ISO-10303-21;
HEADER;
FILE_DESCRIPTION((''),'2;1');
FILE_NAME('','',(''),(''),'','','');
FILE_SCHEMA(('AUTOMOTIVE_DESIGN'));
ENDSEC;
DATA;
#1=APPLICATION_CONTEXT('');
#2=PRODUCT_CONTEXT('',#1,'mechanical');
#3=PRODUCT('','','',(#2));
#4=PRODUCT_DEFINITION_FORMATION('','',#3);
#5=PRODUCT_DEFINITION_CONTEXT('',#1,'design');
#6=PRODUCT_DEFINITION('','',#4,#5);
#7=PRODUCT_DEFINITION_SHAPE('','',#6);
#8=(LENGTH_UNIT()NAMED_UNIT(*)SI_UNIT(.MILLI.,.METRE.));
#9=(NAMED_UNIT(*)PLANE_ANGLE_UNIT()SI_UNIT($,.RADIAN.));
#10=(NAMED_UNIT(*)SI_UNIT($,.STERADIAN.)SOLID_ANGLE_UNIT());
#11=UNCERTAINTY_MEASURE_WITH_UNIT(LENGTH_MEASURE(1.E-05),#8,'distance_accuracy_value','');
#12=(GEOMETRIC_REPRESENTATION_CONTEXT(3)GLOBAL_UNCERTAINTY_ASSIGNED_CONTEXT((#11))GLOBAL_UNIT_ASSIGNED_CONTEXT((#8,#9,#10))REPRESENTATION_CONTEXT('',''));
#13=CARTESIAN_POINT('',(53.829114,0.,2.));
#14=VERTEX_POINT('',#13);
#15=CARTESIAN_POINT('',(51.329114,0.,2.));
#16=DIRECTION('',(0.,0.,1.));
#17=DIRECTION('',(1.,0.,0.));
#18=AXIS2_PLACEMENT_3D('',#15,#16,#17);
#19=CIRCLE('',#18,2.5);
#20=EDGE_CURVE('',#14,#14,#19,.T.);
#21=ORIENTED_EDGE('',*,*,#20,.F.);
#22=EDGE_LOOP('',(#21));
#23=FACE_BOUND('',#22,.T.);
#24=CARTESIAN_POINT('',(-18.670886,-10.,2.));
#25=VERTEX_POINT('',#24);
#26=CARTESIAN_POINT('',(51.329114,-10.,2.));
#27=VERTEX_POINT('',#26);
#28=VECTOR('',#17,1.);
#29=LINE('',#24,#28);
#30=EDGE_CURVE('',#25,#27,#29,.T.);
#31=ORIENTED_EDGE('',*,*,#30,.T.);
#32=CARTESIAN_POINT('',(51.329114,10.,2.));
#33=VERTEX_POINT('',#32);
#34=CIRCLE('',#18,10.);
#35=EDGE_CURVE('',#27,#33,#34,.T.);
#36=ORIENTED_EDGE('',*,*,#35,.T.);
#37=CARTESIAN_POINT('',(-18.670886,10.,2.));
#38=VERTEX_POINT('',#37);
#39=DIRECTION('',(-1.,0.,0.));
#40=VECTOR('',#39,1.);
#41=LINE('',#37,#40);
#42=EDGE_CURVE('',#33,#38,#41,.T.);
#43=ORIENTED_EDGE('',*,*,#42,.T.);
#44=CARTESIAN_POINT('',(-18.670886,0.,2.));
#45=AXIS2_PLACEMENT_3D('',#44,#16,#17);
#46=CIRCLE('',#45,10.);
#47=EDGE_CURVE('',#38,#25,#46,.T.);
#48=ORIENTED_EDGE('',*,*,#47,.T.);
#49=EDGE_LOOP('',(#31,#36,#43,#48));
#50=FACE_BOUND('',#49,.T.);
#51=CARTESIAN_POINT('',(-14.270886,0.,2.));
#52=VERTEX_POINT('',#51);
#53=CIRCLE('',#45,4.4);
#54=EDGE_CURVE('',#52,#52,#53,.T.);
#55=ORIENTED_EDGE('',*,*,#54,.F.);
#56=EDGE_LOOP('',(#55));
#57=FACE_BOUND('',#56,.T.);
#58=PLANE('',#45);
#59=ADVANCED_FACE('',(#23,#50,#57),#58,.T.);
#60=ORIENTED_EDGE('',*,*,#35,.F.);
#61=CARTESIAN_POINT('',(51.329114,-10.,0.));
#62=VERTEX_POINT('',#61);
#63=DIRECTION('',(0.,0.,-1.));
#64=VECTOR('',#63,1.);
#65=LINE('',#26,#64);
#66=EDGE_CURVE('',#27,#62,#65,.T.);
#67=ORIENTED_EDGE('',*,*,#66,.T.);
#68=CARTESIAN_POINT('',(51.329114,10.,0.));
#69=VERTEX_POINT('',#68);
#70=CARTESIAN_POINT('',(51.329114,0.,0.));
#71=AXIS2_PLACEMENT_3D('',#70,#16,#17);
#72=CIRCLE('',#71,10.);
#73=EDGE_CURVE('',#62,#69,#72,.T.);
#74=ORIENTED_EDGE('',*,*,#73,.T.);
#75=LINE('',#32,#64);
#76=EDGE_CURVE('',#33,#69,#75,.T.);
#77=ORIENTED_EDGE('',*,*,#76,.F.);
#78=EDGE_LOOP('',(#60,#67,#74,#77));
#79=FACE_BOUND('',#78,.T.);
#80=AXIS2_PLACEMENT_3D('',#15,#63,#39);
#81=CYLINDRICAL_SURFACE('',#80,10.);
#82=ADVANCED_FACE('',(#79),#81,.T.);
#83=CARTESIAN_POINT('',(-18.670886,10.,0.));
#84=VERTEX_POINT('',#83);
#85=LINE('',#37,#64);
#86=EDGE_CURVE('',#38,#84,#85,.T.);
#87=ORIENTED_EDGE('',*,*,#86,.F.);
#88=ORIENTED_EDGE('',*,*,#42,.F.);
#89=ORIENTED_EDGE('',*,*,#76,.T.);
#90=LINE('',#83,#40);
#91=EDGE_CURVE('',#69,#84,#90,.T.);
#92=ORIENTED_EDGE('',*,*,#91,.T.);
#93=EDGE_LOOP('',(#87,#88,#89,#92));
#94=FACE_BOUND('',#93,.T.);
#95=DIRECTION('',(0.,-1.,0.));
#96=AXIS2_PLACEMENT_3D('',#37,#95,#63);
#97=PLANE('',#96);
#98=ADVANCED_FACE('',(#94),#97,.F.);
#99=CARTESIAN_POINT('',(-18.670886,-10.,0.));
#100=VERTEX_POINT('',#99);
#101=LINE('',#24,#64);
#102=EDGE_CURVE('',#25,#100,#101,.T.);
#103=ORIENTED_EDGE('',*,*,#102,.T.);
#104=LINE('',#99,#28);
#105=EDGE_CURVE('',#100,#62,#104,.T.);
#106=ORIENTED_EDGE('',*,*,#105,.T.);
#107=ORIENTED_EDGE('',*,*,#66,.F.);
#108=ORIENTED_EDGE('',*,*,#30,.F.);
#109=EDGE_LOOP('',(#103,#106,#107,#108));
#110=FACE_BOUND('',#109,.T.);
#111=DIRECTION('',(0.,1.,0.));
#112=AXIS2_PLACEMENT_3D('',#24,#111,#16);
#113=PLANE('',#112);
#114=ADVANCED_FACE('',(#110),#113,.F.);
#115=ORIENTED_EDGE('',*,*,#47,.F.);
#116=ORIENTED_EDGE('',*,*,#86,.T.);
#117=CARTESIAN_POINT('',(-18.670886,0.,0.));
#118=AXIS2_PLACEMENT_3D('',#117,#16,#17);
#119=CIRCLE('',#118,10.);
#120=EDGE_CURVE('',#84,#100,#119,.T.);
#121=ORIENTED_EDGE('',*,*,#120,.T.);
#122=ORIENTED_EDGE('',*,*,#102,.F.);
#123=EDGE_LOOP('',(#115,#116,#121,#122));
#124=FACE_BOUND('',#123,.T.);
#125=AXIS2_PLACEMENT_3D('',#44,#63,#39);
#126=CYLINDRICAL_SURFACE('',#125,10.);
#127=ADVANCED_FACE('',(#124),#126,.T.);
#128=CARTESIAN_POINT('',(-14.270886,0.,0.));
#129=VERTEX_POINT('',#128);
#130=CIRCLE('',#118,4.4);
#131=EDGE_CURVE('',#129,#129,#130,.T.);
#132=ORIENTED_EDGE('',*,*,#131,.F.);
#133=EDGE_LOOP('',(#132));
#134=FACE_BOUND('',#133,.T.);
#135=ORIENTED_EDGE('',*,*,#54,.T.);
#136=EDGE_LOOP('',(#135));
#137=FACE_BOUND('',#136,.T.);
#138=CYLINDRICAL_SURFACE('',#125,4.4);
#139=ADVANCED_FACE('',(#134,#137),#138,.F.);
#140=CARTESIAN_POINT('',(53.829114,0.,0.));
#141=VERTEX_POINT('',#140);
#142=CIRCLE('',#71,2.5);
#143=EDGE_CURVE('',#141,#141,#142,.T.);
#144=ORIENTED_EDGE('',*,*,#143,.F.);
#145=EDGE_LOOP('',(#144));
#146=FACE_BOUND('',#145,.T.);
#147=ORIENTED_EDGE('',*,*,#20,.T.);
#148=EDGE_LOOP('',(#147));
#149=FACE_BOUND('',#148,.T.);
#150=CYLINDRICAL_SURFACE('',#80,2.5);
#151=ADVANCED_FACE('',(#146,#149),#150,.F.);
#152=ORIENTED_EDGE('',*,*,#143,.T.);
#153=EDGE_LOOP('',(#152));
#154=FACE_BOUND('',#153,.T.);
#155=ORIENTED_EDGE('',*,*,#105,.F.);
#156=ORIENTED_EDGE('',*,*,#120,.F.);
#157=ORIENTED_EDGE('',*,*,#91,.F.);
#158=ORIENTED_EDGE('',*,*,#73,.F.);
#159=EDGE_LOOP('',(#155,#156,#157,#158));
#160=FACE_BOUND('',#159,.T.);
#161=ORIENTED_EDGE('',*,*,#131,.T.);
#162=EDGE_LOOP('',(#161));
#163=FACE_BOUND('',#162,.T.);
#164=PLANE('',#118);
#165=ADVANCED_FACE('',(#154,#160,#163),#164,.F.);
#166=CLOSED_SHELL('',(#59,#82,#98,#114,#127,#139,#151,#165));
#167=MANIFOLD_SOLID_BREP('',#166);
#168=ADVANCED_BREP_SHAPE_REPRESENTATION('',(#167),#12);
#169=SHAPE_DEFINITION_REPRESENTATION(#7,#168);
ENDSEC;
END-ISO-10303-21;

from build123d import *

# Parameters (mm, degrees)
SKETCH1_R           = 4.4
SKETCH1_R_2         = 2.5
BOSS_EXTRUDE1_DEPTH = 2


with BuildPart() as part:
    # Sketch1 → Boss-Extrude1 (new body)
    with BuildSketch(Plane.XY):
        with BuildLine():
            Line((-18.670886076, 10), (51.329113924, 10))
            ThreePointArc((51.329113924, 10), (61.329113924, 0), (51.329113924, -10))
            Line((51.329113924, -10), (-18.670886076, -10))
            ThreePointArc((-18.670886076, -10), (-28.670886076, 0), (-18.670886076, 10))
        make_face()
        with Locations((-18.670886076, 0)):
            Circle(SKETCH1_R, mode=Mode.SUBTRACT)
        with Locations((51.329113924, 0)):
            Circle(SKETCH1_R_2, mode=Mode.SUBTRACT)
    extrude(amount=BOSS_EXTRUDE1_DEPTH)


solid = part.part
